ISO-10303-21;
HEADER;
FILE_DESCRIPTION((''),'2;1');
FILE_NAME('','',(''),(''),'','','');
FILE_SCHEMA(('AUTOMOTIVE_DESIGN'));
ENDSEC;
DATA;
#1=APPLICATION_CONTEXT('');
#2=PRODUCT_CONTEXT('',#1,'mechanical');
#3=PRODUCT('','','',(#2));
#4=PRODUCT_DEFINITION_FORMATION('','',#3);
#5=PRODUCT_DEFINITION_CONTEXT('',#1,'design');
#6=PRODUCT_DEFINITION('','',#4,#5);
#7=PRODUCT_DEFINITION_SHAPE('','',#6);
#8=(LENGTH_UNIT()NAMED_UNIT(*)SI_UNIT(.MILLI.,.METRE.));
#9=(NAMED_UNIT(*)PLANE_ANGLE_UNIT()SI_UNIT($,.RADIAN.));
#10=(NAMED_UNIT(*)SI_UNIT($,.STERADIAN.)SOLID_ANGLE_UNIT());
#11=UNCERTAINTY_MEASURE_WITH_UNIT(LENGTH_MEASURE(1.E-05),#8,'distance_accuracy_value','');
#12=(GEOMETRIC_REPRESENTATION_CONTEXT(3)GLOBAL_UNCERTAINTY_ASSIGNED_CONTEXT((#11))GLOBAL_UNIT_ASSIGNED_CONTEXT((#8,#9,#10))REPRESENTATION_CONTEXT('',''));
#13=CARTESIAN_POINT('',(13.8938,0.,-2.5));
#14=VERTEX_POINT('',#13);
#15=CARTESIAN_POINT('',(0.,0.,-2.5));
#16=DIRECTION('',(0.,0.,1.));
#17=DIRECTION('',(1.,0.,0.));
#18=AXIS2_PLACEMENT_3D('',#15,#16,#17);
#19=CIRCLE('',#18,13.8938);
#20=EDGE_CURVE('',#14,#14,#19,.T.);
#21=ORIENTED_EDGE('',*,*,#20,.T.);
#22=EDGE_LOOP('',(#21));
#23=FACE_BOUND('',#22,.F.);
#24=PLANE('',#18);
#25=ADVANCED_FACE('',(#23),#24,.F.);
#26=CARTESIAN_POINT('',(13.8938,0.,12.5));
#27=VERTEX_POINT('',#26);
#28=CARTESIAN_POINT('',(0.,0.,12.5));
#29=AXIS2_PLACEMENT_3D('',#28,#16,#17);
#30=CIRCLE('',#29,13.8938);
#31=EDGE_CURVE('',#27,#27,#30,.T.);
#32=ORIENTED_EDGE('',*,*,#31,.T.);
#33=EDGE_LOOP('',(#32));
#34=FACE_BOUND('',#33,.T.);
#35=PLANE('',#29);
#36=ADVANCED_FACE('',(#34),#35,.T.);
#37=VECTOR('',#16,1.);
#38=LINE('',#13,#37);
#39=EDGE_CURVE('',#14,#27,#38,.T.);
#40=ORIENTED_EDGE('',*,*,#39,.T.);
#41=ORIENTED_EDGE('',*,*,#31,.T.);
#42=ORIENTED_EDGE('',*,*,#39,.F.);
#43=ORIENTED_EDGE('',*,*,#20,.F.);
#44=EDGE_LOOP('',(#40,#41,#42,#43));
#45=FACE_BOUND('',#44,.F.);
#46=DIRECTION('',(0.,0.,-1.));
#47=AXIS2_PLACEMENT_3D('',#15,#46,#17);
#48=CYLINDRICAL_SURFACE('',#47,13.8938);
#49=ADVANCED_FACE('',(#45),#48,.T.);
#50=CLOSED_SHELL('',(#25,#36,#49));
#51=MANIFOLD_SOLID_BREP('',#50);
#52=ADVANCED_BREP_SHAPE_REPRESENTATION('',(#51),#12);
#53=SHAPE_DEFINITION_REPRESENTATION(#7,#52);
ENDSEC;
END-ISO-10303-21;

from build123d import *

# Parameters (mm, degrees)
CYLINDER_R     = 13.8938
CYLINDER_DEPTH = 15


with BuildPart() as part:
    # Cylinder → Cylinder (new body)
    with BuildSketch(Plane.XY.offset(-2.5)):
        Circle(CYLINDER_R)
    extrude(amount=CYLINDER_DEPTH)


solid = part.part
